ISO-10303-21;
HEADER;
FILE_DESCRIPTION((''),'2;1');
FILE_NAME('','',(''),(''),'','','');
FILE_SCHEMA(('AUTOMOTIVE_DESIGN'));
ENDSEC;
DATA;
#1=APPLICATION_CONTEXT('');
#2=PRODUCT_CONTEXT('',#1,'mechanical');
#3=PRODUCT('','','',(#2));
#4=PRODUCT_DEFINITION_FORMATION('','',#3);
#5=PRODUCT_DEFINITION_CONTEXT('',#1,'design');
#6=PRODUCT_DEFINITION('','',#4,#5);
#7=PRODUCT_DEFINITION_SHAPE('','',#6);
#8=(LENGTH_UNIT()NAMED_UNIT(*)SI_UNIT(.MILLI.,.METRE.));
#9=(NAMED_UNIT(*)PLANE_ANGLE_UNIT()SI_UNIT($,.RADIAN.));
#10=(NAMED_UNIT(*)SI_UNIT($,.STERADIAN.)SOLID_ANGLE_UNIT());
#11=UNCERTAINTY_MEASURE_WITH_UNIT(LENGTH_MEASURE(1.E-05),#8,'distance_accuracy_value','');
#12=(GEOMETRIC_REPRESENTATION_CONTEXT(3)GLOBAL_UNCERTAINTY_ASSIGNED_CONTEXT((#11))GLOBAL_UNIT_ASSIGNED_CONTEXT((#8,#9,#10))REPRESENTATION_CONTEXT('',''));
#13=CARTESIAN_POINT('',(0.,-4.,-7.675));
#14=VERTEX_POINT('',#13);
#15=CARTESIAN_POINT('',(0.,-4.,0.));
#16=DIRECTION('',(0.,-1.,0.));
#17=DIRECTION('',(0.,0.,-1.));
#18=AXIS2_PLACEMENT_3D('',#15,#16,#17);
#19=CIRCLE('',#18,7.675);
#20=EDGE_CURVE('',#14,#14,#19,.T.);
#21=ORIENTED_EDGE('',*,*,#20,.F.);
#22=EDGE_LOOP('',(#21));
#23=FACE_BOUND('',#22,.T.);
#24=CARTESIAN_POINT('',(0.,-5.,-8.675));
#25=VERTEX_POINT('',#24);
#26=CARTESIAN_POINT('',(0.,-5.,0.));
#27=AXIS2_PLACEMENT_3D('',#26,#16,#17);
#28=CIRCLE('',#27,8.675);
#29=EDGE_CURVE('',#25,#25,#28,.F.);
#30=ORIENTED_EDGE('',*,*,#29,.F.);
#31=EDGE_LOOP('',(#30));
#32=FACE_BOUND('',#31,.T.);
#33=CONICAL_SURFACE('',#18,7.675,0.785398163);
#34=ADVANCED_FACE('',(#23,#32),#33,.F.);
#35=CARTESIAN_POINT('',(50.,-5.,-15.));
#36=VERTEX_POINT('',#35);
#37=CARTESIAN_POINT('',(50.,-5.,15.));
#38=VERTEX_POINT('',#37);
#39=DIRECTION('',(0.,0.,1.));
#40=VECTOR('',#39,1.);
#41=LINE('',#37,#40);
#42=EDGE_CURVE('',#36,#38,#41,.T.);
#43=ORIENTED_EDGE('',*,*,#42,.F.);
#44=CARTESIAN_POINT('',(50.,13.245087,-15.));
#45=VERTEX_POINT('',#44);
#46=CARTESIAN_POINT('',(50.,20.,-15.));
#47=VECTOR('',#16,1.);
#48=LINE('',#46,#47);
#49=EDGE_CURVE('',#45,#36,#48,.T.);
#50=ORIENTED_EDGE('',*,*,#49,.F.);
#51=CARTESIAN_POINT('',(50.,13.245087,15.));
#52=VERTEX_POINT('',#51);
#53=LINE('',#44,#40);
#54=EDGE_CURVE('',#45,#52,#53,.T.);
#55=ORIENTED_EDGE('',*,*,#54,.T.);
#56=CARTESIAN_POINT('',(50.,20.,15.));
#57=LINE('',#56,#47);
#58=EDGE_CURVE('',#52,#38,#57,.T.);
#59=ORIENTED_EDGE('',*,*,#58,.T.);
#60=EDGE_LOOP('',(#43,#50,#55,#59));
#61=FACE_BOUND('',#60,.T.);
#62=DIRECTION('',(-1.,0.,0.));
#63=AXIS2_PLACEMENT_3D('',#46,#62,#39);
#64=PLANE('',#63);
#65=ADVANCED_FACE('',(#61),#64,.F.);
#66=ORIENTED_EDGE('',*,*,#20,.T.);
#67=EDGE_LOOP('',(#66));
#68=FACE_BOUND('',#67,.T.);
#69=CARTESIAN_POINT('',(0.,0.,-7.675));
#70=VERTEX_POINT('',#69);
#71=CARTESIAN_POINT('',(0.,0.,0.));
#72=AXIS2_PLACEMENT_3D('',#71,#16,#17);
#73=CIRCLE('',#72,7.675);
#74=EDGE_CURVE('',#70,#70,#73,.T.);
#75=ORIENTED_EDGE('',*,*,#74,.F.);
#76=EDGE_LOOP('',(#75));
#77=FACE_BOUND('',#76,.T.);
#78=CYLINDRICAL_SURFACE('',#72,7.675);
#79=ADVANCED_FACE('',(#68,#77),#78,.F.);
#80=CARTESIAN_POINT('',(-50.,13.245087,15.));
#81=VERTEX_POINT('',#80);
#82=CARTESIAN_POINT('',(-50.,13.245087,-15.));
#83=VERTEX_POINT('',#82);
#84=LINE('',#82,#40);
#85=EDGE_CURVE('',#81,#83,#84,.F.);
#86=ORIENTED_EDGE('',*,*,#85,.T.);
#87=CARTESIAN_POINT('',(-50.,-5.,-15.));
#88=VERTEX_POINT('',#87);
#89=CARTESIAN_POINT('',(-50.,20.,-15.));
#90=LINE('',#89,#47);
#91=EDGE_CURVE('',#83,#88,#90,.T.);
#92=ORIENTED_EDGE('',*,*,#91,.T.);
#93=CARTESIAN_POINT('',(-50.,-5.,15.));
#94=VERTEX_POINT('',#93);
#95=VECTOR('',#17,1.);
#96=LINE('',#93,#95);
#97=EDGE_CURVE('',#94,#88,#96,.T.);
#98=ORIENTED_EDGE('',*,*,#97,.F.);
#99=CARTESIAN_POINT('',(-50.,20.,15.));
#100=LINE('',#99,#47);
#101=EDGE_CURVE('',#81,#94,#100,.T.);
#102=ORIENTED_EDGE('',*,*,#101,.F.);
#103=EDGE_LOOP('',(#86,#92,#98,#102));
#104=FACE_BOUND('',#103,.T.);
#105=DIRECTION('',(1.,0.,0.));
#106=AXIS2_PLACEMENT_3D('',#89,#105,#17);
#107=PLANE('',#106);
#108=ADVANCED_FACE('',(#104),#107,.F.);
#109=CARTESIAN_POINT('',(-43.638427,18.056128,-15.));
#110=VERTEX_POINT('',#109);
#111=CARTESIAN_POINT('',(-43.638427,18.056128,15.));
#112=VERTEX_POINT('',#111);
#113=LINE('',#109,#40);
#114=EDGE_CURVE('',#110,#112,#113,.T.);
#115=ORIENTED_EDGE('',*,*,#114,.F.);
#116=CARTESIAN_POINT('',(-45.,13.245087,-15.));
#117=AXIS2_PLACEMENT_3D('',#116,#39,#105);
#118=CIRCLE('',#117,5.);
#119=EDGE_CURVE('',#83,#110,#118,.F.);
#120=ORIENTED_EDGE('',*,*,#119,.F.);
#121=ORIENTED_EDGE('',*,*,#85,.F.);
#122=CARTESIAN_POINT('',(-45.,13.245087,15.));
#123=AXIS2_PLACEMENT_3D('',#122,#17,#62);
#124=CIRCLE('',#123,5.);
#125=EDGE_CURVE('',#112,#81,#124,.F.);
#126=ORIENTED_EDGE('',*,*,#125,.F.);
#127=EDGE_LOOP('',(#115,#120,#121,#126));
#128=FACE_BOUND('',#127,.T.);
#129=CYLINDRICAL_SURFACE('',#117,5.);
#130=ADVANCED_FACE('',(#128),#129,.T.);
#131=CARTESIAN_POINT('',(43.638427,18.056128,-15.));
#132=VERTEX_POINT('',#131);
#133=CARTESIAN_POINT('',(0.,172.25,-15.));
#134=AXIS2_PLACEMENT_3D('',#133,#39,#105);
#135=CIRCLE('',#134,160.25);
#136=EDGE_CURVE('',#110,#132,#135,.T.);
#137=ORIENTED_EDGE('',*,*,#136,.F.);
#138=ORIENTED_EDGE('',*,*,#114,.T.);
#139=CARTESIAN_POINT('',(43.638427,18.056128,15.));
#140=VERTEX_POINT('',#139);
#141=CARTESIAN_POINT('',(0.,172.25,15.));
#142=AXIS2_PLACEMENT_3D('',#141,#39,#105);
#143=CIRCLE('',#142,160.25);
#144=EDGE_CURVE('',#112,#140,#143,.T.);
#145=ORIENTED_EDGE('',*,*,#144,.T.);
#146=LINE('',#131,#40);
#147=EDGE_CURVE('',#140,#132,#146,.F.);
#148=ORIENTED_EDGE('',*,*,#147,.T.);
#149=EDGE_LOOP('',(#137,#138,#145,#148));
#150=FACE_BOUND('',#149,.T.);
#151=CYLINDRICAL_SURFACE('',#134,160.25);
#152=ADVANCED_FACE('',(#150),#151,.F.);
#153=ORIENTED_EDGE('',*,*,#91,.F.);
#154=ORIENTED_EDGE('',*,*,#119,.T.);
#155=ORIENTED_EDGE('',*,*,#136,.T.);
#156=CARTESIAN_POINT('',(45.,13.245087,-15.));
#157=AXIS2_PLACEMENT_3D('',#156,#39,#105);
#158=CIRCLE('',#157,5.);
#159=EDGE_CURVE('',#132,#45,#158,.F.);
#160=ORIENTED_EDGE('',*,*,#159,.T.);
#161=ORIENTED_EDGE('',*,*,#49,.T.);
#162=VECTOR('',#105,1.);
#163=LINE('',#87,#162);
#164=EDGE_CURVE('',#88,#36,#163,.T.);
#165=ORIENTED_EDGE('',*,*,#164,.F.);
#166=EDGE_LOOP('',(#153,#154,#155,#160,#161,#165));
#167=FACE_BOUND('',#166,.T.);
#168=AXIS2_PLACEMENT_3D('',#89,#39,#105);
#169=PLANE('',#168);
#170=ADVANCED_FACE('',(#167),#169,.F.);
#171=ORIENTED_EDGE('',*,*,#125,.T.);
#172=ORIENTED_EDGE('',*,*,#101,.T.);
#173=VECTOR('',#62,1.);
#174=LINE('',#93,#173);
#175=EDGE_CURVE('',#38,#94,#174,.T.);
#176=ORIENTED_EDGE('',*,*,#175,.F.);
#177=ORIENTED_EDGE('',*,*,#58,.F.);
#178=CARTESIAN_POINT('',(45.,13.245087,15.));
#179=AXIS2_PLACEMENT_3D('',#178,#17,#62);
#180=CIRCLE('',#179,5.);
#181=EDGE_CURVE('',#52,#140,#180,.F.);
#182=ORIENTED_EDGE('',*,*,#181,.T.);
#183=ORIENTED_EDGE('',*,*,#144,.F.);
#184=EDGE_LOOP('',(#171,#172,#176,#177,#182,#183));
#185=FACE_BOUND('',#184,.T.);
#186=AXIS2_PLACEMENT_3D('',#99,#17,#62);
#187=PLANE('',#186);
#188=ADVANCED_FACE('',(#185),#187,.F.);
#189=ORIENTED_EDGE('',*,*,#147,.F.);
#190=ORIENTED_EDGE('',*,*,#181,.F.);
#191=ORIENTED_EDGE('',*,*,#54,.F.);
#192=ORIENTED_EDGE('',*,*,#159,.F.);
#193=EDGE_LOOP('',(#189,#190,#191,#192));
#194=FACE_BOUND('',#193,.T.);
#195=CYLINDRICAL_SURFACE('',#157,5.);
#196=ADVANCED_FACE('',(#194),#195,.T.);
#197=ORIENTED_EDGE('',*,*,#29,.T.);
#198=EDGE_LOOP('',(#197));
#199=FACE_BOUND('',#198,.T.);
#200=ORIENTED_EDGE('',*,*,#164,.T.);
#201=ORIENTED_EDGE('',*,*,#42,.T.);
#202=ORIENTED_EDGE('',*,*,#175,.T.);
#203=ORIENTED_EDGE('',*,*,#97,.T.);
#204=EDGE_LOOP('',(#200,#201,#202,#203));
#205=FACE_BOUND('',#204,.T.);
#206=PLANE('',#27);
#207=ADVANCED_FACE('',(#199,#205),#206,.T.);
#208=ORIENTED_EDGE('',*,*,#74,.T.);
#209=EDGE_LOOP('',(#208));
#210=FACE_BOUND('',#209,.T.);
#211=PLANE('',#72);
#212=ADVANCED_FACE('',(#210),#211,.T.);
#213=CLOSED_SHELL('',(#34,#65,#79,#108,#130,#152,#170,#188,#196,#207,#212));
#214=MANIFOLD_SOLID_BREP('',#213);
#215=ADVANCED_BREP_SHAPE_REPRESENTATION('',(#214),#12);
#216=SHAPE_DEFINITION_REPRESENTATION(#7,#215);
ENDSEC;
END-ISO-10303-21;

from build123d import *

# Parameters (mm, degrees)
SKETCH1_W           = 100
SKETCH1_H           = 30
BOSS_EXTRUDE1_DEPTH = 20
CUT_EXTRUDE1_DEPTH  = 62.64414003
FILLET1_R           = 5
SKETCH3_W           = 100
SKETCH3_H           = 30
BOSS_EXTRUDE2_DEPTH = 5
SKETCH4_R           = 7.675
CUT_EXTRUDE2_DEPTH  = 5
CHAMFER1_SIZE       = 1


with BuildPart() as part:
    # Sketch1 → Boss-Extrude1 (new body)
    with BuildSketch(Plane(origin=(0, 0, 0), x_dir=(1, 0, 0), z_dir=(0, 1, 0))):
        Rectangle(SKETCH1_W, SKETCH1_H)
    extrude(amount=BOSS_EXTRUDE1_DEPTH)

    # Sketch2 → Cut-Extrude1 (cut, through all)
    with BuildSketch(Plane.XY.offset(15)):
        with BuildLine():
            Line((-50, 20), (50, 20))
            ThreePointArc((50, 20), (0, 12), (-50, 20))
        make_face()
    extrude(amount=-CUT_EXTRUDE1_DEPTH, mode=Mode.SUBTRACT)

    # Fillet1
    fillet1_edges = [part.edges().sort_by_distance(p)[0] for p in [
        (-50, 20, 0),
        (50, 20, 0),
    ]]
    fillet(fillet1_edges, radius=FILLET1_R)

    # Sketch3 → Boss-Extrude2 (add)
    with BuildSketch(Plane.XZ):
        Rectangle(SKETCH3_W, SKETCH3_H)
    extrude(amount=BOSS_EXTRUDE2_DEPTH)

    # Sketch4 → Cut-Extrude2 (cut)
    with BuildSketch(Plane.XZ.offset(5)):
        with Locations(Location((0, 0, 0), (0, 0, 270))):
            Circle(SKETCH4_R)
    extrude(amount=-CUT_EXTRUDE2_DEPTH, mode=Mode.SUBTRACT)

    # Chamfer1
    chamfer1_edges = [part.edges().sort_by_distance(p)[0] for p in [
        (0, -5, 7.675),
    ]]
    chamfer(chamfer1_edges, length=CHAMFER1_SIZE)


solid = part.part
